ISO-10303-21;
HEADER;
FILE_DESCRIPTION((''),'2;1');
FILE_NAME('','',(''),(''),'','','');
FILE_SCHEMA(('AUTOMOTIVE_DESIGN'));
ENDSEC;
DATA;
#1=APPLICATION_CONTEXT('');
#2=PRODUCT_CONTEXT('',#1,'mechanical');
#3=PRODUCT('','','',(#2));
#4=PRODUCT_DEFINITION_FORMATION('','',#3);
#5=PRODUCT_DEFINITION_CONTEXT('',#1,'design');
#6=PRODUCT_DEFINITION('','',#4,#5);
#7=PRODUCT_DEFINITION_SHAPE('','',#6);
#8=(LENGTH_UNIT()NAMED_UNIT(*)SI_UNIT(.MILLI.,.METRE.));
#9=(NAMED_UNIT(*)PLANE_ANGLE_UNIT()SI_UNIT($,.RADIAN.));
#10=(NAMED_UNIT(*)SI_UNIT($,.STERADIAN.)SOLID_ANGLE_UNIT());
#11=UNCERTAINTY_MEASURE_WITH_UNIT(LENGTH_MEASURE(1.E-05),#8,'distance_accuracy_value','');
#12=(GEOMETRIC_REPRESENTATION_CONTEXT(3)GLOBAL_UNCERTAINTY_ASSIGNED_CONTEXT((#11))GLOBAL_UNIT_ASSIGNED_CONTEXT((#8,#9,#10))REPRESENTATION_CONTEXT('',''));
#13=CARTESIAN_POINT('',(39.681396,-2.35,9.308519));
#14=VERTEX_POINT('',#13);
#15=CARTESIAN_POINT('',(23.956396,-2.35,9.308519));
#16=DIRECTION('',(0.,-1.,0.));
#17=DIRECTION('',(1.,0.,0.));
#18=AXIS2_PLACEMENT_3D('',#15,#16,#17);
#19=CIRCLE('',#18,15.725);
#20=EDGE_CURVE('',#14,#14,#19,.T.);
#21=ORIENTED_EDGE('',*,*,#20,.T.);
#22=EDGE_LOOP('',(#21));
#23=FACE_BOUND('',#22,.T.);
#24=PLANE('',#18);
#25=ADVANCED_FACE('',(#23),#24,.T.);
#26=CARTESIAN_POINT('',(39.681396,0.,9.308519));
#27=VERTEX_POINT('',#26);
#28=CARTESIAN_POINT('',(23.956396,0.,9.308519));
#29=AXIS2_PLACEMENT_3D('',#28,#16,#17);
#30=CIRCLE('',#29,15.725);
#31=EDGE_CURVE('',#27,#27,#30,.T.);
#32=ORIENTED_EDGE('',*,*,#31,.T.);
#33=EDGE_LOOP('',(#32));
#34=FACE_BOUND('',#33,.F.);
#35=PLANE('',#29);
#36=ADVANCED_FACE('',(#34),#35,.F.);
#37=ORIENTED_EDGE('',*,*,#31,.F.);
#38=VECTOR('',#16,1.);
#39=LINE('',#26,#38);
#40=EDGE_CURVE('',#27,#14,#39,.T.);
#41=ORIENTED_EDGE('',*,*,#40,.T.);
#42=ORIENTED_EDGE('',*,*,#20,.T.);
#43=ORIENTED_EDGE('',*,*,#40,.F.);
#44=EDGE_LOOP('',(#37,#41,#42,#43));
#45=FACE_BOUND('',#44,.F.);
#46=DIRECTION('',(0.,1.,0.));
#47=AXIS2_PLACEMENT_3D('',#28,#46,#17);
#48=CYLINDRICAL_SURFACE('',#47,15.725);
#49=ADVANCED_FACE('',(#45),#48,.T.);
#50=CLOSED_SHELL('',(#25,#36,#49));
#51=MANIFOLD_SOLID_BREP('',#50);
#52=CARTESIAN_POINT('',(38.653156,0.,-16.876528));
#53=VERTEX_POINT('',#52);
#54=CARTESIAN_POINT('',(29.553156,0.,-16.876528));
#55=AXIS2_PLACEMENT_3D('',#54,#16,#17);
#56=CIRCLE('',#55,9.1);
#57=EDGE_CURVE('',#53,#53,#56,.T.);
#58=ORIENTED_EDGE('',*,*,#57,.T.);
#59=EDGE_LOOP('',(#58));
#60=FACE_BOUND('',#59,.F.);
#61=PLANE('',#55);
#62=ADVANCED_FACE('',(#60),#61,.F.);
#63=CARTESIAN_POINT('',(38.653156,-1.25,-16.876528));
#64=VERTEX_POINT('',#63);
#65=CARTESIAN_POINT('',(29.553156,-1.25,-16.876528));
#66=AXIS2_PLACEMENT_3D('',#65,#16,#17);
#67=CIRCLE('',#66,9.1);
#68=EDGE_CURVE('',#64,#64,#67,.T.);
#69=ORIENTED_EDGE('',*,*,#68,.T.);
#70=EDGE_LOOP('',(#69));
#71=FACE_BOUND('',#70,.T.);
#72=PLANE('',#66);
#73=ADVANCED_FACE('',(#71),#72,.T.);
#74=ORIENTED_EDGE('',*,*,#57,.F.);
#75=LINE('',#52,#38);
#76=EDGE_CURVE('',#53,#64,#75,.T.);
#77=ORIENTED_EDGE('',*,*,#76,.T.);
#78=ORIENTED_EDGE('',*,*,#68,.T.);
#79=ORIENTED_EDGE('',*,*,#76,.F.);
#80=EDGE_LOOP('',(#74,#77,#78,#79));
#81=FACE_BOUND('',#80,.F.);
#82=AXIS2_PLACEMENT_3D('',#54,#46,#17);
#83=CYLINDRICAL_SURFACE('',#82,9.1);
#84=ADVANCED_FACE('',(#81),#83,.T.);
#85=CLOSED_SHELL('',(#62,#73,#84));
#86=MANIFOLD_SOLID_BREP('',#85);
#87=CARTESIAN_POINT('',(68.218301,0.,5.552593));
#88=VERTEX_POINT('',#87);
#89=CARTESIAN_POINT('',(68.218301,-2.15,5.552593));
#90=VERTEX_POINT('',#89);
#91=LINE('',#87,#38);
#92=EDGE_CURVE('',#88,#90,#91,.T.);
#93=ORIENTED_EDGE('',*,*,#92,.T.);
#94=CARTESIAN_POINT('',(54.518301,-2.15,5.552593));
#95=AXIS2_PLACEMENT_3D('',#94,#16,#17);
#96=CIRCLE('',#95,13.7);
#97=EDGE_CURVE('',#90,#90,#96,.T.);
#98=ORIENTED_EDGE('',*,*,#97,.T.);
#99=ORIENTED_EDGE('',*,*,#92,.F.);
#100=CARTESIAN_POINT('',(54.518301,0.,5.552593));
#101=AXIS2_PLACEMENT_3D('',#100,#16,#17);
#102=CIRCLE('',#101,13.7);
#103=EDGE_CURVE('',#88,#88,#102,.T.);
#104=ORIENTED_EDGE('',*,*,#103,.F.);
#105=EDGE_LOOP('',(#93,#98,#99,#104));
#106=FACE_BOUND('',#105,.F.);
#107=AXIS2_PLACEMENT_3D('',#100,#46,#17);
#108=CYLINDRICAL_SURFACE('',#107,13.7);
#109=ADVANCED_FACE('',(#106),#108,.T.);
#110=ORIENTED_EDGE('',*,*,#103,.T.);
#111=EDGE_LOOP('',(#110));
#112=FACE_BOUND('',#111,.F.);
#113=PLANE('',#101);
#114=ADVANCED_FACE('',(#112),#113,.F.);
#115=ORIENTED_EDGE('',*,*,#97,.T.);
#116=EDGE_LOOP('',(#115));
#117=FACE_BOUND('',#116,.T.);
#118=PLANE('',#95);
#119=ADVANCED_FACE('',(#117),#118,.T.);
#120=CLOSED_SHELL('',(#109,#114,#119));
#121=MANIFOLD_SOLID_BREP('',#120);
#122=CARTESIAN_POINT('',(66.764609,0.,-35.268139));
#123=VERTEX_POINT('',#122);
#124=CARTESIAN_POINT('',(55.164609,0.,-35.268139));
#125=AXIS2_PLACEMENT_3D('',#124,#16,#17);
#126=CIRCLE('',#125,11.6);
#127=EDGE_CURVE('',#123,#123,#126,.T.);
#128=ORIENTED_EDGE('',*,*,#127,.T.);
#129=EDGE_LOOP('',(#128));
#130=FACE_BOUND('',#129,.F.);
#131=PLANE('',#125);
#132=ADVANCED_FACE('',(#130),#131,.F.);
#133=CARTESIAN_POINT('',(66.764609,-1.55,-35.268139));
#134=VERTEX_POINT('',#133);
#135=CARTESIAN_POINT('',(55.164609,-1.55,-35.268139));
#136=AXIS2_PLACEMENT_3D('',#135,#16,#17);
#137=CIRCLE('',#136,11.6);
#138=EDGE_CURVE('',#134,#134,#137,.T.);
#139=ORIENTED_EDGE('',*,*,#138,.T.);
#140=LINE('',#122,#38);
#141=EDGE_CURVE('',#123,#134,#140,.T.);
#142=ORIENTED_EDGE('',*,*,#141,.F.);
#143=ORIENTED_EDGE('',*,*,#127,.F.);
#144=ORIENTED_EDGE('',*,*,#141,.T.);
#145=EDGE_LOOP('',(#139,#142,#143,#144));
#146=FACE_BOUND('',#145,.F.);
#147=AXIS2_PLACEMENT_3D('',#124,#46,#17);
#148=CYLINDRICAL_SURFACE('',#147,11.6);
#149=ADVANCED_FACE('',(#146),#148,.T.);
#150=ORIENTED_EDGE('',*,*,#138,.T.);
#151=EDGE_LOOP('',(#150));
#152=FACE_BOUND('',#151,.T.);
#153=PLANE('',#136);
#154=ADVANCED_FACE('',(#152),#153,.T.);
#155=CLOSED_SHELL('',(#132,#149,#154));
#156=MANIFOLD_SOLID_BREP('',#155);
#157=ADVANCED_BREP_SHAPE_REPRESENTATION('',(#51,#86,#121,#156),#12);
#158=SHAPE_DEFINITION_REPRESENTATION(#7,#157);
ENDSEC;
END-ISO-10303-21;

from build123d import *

# Parameters (mm, degrees)
F0_R     = 15.725
F1_DEPTH = 2.35
F2_R     = 13.7
F3_DEPTH = 2.15
F4_R     = 11.6
F5_DEPTH = 1.55
F6_R     = 9.1
F7_DEPTH = 1.25


with BuildPart() as f1:
    # F0 (on Front) → F1 (new body)
    with BuildSketch(Plane.XZ):
        with Locations((23.956396, 9.308519)):
            Circle(F0_R)
    extrude(amount=F1_DEPTH)


with BuildPart() as f3:
    # F2 (on Front) → F3 (new body)
    with BuildSketch(Plane.XZ):
        with Locations((54.518301, 5.552593)):
            Circle(F2_R)
    extrude(amount=F3_DEPTH)


with BuildPart() as f5:
    # F4 (on Front) → F5 (new body)
    with BuildSketch(Plane.XZ):
        with Locations((55.164609, -35.268139)):
            Circle(F4_R)
    extrude(amount=F5_DEPTH)


with BuildPart() as f7:
    # F6 (on Front) → F7 (new body)
    with BuildSketch(Plane.XZ):
        with Locations((29.553156, -16.876528)):
            Circle(F6_R)
    extrude(amount=F7_DEPTH)


solid = Compound([f1.part, f3.part, f5.part, f7.part])
